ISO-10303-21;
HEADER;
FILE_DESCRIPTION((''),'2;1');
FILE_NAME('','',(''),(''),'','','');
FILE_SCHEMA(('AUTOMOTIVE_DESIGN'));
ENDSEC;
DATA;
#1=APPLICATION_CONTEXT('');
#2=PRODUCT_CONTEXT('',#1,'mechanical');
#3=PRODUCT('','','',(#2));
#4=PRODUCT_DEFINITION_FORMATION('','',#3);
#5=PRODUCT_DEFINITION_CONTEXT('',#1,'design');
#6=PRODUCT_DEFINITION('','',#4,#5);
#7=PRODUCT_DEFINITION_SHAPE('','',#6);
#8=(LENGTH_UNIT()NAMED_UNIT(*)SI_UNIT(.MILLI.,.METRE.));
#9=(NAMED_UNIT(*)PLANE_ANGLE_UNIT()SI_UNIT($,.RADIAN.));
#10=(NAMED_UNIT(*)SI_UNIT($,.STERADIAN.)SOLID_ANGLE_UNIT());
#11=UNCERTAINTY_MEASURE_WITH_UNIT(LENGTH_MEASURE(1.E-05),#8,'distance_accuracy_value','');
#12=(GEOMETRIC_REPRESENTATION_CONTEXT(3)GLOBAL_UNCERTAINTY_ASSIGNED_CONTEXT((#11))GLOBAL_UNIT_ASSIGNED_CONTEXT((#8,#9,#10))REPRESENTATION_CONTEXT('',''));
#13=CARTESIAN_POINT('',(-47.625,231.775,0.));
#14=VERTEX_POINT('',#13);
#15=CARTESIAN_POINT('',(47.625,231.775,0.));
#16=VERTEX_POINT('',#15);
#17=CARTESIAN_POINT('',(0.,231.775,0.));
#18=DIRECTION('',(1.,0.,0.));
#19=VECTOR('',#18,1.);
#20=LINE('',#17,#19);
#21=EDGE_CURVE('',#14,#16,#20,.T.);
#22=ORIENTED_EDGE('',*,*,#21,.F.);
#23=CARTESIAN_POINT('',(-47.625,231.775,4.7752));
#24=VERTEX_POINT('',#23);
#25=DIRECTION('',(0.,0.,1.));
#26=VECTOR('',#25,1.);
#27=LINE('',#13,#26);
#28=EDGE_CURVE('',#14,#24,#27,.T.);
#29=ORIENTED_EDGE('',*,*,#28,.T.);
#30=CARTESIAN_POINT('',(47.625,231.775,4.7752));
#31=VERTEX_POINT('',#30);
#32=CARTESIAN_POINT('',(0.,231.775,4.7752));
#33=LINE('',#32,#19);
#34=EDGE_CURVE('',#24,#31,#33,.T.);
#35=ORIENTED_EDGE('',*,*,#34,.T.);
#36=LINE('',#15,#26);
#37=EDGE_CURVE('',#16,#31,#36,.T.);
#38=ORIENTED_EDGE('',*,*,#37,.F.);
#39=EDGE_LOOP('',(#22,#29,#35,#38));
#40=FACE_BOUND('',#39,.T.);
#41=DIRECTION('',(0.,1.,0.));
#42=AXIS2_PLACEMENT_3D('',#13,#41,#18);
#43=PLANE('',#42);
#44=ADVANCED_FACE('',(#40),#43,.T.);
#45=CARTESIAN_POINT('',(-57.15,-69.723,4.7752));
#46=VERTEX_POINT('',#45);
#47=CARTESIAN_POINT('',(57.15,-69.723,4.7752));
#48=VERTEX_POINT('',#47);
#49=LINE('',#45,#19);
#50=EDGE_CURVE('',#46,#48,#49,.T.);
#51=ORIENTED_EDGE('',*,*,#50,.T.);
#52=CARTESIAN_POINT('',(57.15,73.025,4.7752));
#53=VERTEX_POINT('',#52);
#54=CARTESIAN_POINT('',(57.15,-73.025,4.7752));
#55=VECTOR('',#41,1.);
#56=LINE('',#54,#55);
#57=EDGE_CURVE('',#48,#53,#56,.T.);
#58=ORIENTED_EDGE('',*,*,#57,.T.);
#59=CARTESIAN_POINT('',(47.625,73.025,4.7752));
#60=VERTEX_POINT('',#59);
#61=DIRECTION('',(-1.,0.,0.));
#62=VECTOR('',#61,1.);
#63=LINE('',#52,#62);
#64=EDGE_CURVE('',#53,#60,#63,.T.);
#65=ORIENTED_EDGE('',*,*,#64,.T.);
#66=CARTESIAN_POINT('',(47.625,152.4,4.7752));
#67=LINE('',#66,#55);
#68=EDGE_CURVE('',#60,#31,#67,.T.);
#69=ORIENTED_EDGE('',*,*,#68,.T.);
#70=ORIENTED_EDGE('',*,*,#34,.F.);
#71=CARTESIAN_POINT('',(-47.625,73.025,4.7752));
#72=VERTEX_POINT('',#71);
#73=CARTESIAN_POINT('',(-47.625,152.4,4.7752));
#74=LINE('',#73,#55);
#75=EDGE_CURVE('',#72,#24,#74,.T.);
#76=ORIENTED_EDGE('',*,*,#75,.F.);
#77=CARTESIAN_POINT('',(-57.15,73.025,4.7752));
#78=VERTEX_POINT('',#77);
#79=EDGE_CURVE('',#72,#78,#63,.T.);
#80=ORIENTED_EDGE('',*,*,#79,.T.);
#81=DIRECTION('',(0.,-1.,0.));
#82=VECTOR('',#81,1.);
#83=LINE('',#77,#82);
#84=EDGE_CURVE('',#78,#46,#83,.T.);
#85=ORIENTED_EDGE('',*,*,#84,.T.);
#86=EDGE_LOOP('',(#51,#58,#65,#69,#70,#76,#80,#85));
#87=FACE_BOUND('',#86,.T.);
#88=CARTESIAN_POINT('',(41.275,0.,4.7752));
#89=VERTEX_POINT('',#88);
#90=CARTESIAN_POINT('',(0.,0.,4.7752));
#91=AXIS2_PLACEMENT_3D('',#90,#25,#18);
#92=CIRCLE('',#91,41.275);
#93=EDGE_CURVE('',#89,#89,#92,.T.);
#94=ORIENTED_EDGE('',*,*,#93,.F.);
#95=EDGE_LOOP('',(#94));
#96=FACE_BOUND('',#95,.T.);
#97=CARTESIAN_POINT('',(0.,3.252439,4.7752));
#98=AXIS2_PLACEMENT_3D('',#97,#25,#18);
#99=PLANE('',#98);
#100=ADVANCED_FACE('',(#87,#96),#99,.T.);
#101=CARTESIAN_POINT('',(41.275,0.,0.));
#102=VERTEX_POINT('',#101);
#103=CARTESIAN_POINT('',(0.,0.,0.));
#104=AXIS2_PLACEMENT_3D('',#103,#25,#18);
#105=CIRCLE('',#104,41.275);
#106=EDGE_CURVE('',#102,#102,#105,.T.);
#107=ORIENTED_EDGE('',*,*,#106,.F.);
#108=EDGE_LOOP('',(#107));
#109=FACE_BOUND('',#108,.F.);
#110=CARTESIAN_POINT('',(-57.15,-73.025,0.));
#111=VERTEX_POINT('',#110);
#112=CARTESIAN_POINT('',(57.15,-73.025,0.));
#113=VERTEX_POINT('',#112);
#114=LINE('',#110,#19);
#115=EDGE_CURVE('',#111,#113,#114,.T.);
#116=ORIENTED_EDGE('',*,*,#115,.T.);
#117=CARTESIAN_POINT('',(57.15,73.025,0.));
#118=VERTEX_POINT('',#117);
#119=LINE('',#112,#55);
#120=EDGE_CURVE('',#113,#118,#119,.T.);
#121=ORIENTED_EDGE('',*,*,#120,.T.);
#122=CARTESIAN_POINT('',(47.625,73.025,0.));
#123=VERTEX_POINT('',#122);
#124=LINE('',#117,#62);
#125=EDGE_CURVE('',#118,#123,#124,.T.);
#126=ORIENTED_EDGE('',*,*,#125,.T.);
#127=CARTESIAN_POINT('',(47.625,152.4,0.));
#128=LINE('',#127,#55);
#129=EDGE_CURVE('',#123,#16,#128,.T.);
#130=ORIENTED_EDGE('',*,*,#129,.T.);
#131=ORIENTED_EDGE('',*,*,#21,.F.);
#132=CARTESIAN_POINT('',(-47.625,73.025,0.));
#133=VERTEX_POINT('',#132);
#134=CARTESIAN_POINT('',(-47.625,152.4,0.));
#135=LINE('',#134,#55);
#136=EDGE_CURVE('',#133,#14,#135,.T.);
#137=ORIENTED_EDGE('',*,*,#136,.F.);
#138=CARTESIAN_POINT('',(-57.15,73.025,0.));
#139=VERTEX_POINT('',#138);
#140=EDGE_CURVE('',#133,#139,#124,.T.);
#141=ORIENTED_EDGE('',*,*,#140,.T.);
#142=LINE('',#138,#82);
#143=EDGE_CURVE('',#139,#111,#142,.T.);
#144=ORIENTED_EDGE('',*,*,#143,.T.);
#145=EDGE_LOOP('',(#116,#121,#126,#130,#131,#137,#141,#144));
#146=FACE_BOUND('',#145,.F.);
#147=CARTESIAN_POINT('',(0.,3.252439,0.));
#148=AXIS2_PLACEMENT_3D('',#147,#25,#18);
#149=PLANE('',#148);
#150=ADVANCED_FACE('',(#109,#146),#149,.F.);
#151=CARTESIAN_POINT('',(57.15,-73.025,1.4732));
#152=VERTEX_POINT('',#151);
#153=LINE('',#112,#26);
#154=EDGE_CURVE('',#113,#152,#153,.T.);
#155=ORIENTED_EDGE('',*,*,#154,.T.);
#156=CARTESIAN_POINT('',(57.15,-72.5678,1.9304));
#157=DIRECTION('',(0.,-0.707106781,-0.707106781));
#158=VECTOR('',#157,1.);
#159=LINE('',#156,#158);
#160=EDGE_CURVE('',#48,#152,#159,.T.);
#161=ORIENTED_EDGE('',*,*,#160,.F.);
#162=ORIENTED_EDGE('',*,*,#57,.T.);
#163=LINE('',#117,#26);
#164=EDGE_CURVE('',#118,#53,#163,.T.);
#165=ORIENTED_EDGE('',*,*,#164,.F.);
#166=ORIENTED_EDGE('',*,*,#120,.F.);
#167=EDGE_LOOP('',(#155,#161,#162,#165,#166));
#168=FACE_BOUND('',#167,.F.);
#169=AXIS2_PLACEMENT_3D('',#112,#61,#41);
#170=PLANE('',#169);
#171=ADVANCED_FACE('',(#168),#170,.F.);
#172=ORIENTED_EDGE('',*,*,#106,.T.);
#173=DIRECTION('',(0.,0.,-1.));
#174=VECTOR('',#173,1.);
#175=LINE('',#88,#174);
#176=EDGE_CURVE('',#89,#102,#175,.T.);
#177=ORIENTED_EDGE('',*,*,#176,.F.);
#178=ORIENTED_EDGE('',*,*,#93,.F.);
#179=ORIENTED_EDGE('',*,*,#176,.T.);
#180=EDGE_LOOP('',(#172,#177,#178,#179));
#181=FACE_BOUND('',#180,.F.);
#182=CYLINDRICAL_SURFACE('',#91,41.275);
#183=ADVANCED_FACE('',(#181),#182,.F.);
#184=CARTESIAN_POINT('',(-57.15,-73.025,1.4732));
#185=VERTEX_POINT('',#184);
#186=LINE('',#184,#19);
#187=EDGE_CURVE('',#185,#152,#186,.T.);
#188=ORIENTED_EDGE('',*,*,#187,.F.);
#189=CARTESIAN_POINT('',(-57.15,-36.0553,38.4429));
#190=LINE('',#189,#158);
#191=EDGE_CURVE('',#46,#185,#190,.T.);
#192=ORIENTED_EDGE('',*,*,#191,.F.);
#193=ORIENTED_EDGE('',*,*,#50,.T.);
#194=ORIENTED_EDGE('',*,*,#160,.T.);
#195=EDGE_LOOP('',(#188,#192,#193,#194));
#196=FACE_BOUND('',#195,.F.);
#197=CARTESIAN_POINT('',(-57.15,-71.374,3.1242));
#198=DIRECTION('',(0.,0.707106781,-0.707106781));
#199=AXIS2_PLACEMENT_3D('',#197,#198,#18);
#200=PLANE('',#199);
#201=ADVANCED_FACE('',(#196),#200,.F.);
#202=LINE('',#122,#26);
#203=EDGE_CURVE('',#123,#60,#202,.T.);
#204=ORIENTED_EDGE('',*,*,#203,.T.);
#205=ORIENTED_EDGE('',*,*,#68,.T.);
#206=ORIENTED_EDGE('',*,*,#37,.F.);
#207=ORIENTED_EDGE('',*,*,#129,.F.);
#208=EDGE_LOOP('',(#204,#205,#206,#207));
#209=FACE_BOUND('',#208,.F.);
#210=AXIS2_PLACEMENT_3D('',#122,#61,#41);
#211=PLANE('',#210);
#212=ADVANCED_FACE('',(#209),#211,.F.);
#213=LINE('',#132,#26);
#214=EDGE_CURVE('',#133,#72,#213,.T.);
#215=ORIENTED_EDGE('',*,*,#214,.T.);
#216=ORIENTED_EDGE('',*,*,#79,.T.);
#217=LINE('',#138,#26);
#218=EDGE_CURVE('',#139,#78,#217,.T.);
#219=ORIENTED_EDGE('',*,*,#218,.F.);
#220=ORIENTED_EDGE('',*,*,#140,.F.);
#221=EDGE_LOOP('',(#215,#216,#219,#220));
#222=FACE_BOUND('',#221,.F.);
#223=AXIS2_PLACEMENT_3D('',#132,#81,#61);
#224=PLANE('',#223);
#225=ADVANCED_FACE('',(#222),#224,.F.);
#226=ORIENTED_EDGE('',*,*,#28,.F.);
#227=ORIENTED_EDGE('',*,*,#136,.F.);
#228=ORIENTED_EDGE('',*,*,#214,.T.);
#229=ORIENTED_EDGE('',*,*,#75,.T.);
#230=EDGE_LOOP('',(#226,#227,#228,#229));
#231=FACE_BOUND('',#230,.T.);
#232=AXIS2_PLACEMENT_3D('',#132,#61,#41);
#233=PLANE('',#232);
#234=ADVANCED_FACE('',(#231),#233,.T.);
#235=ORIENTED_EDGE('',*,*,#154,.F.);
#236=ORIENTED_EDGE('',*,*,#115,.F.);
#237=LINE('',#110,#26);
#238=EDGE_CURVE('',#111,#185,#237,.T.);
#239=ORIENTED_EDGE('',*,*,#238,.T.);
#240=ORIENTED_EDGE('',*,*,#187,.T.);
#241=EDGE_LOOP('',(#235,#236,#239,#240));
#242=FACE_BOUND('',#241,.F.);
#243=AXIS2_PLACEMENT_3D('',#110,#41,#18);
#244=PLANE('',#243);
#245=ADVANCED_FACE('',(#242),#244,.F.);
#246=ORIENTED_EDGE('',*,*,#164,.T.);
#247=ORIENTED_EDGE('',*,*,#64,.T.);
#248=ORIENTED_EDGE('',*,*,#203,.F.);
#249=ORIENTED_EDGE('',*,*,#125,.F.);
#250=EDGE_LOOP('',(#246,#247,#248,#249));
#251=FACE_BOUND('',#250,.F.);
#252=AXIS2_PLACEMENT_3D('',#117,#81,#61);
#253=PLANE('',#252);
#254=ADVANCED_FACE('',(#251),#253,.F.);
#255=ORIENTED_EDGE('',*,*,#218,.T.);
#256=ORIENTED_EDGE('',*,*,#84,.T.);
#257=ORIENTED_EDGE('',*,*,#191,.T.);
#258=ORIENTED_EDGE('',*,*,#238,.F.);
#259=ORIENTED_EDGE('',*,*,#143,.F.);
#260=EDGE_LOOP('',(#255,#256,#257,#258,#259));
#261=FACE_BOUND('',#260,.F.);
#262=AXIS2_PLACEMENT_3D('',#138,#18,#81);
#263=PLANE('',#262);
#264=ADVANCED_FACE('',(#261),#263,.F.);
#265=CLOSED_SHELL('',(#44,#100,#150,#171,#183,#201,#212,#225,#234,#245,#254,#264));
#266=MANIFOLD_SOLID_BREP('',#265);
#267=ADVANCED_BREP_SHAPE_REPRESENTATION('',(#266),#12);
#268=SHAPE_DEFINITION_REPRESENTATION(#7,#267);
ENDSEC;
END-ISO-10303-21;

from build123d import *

# Parameters (mm, degrees)
F0_W     = 95.25
F0_H     = 158.75
F0_W_2   = 6.35
F0_H_2   = 133.35
F1_DEPTH = 4.7752
F2_R     = 41.275
F3_DEPTH = 25.4
F4_SIZE  = 3.302


with BuildPart() as f1:
    # F0 (on Top) → F1 (new body)
    with BuildSketch(Plane.XY):
        Polygon((-50.8, -73.025), (50.8, -73.025), (50.8, 60.325), (57.15, 60.325), (57.15, 73.025), (47.625, 73.025), (-47.625, 73.025), (-57.15, 73.025), (-57.15, 60.325), (-50.8, 60.325), align=None)
        with Locations((0, 152.4)):
            Rectangle(F0_W, F0_H)
        with Locations((-53.975, -6.35)):
            Rectangle(F0_W_2, F0_H_2)
        with Locations((53.975, -6.35)):
            Rectangle(F0_W_2, F0_H_2)
    extrude(amount=F1_DEPTH)

    # F2 (on face) → F3 (cut)
    with BuildSketch(Plane.XY.offset(4.7752)):
        Circle(F2_R)
    extrude(amount=-F3_DEPTH, mode=Mode.SUBTRACT)

    # F4
    f4_edges = [f1.edges().sort_by_distance(p)[0] for p in [
        (0, -73.025, 4.7752),
    ]]
    chamfer(f4_edges, length=F4_SIZE)


solid = f1.part
